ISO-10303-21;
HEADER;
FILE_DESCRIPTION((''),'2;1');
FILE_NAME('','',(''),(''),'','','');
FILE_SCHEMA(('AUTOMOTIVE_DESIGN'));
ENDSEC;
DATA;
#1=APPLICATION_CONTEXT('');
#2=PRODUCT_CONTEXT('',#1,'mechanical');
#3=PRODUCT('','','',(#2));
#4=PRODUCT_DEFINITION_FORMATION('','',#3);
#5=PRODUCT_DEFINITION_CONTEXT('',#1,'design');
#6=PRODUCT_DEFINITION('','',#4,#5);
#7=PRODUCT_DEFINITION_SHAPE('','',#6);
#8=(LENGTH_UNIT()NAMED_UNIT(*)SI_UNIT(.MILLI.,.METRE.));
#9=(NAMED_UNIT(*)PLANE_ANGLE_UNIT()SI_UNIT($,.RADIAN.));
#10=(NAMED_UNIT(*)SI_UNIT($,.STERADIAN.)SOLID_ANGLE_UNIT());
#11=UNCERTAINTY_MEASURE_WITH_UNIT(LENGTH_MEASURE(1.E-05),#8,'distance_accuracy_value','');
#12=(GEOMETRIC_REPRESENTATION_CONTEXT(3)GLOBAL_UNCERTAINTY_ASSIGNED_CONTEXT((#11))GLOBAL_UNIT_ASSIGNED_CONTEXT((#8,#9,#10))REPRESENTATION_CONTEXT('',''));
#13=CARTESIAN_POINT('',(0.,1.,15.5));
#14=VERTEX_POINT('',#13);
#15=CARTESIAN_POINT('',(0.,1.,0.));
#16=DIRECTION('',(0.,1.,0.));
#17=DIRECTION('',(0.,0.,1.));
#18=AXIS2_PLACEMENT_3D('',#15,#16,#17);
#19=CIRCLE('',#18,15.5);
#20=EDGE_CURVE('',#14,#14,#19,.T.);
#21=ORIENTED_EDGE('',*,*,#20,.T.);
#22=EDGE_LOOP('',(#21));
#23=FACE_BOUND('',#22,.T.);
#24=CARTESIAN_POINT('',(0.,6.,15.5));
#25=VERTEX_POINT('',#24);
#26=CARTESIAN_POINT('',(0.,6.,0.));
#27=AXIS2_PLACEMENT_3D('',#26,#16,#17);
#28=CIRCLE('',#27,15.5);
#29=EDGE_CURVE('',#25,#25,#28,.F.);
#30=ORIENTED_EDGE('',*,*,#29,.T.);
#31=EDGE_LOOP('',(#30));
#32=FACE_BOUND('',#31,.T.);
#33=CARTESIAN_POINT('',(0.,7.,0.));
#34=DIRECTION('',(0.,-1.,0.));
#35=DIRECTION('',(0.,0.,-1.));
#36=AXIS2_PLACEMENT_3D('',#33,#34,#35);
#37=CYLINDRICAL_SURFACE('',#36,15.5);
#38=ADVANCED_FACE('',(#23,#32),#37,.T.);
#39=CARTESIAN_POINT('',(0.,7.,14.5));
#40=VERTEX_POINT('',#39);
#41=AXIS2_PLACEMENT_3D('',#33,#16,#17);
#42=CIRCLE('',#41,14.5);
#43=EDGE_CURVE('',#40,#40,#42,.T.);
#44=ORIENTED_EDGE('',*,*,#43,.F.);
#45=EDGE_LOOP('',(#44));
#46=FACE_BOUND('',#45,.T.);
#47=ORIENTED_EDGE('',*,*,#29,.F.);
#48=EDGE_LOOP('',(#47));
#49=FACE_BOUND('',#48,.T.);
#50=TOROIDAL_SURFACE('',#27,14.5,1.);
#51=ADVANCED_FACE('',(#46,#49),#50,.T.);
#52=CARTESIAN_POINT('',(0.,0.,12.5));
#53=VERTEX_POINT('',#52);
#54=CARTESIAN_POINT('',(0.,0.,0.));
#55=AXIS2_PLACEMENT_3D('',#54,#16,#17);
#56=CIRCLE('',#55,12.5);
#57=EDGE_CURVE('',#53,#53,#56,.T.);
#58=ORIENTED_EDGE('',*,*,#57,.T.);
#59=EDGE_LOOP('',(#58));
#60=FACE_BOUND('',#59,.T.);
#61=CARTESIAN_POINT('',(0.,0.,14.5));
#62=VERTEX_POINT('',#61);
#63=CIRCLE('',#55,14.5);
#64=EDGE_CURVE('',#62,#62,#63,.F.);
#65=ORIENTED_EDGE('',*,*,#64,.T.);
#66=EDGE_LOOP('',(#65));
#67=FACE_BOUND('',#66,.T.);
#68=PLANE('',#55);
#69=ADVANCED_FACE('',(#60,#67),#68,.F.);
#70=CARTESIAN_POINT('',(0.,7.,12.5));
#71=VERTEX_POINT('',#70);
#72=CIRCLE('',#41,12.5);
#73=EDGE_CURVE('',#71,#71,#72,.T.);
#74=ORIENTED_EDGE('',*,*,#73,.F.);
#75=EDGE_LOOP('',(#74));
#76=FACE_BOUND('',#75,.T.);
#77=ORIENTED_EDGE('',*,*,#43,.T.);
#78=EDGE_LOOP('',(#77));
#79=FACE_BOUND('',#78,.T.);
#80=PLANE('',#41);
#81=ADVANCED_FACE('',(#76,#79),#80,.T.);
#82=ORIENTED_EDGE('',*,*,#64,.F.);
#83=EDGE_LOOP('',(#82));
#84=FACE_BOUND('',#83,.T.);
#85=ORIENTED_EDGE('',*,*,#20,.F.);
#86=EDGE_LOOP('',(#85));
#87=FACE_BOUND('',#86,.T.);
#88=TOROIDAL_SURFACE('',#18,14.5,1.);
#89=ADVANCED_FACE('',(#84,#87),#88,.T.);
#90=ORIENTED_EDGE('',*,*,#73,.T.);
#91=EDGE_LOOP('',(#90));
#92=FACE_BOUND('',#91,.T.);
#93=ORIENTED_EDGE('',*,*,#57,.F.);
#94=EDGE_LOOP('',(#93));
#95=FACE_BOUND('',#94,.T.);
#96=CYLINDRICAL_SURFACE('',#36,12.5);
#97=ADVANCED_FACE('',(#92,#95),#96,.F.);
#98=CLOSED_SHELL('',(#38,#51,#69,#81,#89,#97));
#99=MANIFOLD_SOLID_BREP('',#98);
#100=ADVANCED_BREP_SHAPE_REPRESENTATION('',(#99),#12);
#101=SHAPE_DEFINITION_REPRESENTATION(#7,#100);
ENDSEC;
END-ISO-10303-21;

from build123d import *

# Parameters (mm, degrees)
SKETCH1_R           = 15.5
SKETCH1_R_2         = 12.5
BOSS_EXTRUDE1_DEPTH = 7
FILLET1_R           = 1


with BuildPart() as part:
    # Sketch1 → Boss-Extrude1 (new body)
    with BuildSketch(Plane(origin=(0, 0, 0), x_dir=(1, 0, 0), z_dir=(0, 1, 0))):
        with Locations(Location((0, 0, 0), (0, 0, 270))):
            Circle(SKETCH1_R)
        with Locations(Location((0, 0, 0), (0, 0, 270))):
            Circle(SKETCH1_R_2, mode=Mode.SUBTRACT)
    extrude(amount=BOSS_EXTRUDE1_DEPTH)

    # Fillet1
    fillet1_edges = [part.edges().sort_by_distance(p)[0] for p in [
        (0, 0, -15.5),
        (0, 7, -15.5),
    ]]
    fillet(fillet1_edges, radius=FILLET1_R)


solid = part.part
